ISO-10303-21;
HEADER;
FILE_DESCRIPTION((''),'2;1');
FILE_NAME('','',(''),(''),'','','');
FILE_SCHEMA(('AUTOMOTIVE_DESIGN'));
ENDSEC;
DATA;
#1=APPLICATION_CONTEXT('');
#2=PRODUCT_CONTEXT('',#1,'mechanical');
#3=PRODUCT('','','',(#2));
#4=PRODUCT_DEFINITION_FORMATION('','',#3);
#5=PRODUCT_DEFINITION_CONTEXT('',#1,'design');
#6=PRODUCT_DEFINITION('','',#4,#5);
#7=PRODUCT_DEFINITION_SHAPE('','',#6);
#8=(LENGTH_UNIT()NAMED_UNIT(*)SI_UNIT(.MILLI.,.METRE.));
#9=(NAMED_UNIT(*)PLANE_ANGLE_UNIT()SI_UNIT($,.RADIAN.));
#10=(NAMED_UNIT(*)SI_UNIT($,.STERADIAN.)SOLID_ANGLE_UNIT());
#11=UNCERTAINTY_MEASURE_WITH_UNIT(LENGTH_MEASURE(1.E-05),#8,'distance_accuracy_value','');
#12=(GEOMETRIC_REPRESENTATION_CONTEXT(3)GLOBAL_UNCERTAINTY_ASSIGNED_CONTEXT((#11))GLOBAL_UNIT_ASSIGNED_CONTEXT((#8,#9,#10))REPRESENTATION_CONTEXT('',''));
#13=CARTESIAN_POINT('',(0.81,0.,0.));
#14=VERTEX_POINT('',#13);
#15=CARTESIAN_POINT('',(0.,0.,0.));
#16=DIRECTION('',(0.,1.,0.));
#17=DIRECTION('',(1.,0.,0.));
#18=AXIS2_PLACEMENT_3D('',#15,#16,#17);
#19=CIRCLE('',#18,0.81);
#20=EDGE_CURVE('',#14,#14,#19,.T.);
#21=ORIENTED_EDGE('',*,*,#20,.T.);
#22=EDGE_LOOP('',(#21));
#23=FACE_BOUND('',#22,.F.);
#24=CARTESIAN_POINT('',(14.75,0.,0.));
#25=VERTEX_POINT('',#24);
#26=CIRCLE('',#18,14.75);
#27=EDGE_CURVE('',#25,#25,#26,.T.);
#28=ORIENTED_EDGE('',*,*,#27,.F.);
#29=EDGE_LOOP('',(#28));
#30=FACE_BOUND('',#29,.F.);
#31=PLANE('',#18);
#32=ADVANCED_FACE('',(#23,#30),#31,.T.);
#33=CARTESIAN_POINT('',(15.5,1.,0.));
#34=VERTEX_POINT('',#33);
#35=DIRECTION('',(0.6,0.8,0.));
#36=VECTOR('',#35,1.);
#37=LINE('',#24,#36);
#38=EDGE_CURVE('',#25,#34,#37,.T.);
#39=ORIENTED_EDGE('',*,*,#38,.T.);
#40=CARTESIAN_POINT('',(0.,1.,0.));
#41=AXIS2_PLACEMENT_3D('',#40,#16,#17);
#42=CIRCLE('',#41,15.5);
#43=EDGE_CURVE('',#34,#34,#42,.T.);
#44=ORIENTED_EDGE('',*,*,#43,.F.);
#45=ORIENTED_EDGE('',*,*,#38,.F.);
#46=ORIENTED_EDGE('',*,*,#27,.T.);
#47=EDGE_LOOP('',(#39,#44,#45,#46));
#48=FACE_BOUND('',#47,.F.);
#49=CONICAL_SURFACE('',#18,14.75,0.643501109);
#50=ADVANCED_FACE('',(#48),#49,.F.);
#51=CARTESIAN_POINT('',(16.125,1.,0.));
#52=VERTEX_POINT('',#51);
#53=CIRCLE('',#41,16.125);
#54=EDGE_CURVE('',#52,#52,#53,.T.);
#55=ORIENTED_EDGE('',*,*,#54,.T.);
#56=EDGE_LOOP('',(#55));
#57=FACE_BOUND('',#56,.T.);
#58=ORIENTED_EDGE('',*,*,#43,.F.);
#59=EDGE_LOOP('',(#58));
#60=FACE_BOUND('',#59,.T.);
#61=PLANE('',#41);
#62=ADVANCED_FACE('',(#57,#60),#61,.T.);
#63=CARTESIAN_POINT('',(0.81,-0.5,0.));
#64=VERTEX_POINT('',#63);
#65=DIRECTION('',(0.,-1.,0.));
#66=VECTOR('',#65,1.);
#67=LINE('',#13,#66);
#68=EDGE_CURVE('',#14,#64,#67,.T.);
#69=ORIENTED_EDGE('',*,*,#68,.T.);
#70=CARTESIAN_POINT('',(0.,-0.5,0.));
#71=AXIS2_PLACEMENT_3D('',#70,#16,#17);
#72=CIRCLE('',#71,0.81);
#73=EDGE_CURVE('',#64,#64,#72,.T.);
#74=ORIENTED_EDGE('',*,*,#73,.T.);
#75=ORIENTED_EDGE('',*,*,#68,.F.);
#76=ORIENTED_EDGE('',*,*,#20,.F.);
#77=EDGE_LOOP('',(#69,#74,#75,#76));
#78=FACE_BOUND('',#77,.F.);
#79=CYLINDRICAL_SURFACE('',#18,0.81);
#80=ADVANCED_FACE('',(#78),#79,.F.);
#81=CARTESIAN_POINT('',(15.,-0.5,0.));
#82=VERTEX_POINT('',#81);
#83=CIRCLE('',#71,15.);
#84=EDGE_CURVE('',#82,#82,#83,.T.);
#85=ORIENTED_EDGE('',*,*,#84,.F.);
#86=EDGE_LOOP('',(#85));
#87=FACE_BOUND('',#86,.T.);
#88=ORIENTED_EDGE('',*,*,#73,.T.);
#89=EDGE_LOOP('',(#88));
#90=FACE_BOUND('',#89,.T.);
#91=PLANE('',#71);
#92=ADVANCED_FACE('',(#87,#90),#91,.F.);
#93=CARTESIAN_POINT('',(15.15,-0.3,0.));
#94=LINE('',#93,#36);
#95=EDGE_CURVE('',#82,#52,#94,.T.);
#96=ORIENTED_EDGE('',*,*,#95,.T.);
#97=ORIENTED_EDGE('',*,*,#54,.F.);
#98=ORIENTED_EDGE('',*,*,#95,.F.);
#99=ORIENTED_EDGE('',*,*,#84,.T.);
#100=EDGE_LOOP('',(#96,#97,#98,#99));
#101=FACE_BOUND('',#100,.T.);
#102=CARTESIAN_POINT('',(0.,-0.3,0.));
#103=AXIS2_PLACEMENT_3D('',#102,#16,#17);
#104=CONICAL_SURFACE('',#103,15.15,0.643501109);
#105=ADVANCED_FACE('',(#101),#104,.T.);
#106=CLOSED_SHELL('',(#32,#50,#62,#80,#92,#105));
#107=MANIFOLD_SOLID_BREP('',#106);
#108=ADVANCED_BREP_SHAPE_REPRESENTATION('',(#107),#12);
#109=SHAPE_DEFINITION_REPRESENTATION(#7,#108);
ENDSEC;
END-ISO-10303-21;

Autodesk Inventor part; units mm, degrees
ref_plane "YZ Plane" through (0, 0, 0) normal (1, 0, 0) x (0, 1, 0)
ref_plane "XZ Plane" through (0, 0, 0) normal (0, 1, 0) x (-1, 0, 0)
ref_plane "XY Plane" through (0, 0, 0) normal (0, 0, 1) x (1, 0, 0)
sketch "Skizze1" plane through (0, 0, 0) normal (0, 0, 1) x (1, 0, 0)
  line L0 (0, 0) -> (0, 16.3048)
  line L1 (0, 0) -> (14.75, 0)
  line L2 (14.75, 0) -> (15.5, 1)
  line L3 (15.5, 1) -> (0, 1)
  dimension "d1" = 31
  dimension "d2" = 29.5
  dimension "d3" = 1
revolve "Umdrehung1" add sketch "Skizze1" angle 360 about axis through (0, 0, 0) along (0, 1, 0)
shell "Wandung1" thickness 0.5 outward yes removed faces 1 at (2.935, 1, -4.2521)
sketch "Skizze2" plane through (0, 0, 0) normal (0, 1, 0) x (1, 0, 0)
  circle A0 centre (0, 0) radius 0.81
  dimension "d5" = 1.62
extrude "Extrusion1" cut sketch "Skizze2" against normal up to surface (0.5 mm away)
properties part number "mesh filter"
